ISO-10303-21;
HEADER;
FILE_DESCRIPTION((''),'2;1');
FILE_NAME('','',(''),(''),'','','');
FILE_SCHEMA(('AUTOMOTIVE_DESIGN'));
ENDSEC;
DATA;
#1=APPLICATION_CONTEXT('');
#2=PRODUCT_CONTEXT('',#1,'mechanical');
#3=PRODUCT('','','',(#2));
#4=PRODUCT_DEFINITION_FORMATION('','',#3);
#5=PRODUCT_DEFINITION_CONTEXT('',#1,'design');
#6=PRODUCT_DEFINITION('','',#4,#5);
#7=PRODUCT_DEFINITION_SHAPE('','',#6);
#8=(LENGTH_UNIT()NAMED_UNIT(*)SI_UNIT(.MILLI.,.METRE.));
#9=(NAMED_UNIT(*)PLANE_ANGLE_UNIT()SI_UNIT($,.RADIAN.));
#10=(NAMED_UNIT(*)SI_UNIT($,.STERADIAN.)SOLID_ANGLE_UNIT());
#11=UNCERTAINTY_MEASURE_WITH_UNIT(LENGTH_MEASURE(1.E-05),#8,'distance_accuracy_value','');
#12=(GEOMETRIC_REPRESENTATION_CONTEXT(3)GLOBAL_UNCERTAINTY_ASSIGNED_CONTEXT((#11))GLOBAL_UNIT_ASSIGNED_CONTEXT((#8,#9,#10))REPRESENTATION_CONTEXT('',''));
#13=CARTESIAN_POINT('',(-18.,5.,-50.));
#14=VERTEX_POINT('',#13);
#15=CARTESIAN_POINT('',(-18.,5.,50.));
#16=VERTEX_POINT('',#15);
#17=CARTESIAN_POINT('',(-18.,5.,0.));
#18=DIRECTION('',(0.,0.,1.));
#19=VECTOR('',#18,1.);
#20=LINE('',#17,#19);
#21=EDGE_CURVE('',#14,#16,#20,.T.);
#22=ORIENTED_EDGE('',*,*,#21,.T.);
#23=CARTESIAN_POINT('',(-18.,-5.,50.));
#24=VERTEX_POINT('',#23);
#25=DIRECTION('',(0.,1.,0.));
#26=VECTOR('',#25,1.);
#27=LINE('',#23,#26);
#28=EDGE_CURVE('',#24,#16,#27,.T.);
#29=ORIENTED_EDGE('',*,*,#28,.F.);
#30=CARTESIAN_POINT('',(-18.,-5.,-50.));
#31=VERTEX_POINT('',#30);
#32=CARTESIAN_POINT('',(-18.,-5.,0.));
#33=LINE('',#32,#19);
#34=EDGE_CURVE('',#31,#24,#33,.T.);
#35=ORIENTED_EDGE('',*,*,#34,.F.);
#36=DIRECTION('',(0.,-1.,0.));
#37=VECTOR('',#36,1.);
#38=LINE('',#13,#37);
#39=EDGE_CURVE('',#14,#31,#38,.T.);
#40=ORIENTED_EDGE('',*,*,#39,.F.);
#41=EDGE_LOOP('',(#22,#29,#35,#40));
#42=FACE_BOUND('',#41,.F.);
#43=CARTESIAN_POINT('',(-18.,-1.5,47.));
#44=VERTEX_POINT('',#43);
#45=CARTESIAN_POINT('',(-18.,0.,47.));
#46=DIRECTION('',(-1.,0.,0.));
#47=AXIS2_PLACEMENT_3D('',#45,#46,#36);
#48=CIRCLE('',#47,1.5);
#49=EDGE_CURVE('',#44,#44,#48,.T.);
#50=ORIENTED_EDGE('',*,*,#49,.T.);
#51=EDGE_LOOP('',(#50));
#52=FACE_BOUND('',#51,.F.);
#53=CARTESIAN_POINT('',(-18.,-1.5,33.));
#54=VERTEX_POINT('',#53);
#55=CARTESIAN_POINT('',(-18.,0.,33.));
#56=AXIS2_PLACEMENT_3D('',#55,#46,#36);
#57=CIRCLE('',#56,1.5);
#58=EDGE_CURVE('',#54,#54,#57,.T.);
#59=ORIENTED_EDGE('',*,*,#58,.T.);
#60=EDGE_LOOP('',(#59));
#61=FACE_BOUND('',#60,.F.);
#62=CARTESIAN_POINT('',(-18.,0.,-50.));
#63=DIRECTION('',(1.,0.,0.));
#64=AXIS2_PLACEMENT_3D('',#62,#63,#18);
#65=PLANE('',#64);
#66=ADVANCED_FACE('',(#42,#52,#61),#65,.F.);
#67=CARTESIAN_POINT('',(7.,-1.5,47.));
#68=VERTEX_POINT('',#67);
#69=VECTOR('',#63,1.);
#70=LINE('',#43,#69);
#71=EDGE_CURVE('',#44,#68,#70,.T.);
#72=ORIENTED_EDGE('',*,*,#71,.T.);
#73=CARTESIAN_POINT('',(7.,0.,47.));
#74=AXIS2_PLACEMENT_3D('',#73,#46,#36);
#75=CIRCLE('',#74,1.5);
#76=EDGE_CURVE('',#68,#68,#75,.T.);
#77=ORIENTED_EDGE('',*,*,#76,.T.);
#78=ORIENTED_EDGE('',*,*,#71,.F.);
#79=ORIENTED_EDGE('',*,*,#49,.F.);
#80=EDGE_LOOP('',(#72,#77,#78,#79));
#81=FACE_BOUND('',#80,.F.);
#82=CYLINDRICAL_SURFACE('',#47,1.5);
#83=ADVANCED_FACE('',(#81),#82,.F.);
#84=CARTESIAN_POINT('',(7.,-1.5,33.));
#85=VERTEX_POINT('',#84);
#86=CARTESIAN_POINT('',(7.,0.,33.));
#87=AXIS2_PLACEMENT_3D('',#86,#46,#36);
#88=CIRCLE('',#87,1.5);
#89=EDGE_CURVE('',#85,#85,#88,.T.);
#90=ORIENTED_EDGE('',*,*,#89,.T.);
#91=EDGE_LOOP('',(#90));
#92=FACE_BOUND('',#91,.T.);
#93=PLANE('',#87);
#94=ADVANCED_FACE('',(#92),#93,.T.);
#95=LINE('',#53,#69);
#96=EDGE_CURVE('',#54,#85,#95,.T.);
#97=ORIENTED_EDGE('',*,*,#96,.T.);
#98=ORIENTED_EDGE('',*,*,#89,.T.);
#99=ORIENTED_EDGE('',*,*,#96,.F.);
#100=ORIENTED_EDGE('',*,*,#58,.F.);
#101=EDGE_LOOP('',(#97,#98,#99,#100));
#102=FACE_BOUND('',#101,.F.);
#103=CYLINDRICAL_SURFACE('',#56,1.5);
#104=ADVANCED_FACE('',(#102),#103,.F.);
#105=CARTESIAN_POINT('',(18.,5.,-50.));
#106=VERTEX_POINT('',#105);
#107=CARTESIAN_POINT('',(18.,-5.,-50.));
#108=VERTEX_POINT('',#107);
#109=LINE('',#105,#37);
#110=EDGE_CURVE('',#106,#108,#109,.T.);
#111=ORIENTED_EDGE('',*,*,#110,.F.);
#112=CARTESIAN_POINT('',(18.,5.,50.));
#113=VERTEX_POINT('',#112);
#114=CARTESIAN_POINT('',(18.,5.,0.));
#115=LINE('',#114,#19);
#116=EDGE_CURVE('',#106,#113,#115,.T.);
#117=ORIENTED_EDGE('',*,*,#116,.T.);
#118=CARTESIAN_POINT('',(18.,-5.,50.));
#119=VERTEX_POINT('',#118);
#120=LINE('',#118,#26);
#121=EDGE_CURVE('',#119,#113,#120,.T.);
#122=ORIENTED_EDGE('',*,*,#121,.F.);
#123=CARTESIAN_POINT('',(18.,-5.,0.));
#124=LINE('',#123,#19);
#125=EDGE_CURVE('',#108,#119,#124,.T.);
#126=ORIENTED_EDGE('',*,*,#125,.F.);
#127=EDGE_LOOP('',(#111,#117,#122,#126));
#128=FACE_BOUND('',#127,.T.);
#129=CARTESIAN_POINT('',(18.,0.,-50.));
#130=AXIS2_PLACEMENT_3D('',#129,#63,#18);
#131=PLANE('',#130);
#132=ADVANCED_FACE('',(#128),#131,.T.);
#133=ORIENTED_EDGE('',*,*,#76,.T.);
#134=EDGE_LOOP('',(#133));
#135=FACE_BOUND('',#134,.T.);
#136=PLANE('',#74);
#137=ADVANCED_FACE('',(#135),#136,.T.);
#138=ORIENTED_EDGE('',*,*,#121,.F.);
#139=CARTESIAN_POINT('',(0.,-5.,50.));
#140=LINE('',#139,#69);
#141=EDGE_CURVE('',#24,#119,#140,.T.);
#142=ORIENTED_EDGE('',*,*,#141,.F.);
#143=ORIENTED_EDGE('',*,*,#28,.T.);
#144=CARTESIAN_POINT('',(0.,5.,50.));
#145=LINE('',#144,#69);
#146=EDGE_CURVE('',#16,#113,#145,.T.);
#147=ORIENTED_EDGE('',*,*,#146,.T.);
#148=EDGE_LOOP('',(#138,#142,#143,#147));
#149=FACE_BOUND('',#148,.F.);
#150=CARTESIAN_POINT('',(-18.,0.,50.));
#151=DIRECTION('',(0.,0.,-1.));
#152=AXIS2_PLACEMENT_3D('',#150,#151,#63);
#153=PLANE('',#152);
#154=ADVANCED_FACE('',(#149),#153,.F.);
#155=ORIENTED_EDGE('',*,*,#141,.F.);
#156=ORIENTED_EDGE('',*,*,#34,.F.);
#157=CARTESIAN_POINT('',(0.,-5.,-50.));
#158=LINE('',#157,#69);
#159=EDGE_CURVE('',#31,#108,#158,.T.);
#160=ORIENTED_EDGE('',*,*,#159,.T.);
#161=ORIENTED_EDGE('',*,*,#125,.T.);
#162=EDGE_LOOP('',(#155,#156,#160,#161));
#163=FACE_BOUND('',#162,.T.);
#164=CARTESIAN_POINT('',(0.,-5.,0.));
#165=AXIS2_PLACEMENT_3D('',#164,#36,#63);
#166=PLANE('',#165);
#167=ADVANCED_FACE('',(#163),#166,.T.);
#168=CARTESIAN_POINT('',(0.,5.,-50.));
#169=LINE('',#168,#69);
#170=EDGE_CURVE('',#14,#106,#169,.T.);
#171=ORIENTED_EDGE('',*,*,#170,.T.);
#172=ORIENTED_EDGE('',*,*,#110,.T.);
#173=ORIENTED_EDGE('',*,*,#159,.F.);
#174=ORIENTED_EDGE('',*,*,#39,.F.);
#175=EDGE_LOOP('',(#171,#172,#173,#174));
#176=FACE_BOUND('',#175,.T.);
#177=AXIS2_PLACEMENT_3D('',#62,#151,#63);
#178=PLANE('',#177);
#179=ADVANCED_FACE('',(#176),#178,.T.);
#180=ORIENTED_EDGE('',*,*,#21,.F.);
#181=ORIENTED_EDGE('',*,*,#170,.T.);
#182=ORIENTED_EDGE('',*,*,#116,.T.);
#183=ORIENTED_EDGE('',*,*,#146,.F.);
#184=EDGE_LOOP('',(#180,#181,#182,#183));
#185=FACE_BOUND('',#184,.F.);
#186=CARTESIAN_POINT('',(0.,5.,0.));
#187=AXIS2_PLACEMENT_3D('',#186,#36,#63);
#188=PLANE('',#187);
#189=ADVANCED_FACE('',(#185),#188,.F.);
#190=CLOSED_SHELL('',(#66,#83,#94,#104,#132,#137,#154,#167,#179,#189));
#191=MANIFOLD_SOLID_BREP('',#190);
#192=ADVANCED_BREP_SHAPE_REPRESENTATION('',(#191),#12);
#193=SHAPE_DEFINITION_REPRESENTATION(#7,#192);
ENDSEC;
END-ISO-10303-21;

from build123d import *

# Parameters (mm, degrees)
F0_W     = 36
F0_H     = 100
F1_DEPTH = 5
F2_R     = 1.5
F3_DEPTH = 25


with BuildPart() as f1:
    # F0 (on Front) → F1 (new body, symmetric)
    with BuildSketch(Plane.XZ):
        Rectangle(F0_W, F0_H)
    extrude(amount=F1_DEPTH, both=True)

    # F2 (on face) → F3 (cut)
    with BuildSketch(Plane(origin=(-18, 0, 0), x_dir=(0, -1, 0), z_dir=(-1, 0, 0))):
        with Locations((0, 47)):
            Circle(F2_R)
        with Locations((0, 33)):
            Circle(F2_R)
    extrude(amount=-F3_DEPTH, mode=Mode.SUBTRACT)


solid = f1.part
